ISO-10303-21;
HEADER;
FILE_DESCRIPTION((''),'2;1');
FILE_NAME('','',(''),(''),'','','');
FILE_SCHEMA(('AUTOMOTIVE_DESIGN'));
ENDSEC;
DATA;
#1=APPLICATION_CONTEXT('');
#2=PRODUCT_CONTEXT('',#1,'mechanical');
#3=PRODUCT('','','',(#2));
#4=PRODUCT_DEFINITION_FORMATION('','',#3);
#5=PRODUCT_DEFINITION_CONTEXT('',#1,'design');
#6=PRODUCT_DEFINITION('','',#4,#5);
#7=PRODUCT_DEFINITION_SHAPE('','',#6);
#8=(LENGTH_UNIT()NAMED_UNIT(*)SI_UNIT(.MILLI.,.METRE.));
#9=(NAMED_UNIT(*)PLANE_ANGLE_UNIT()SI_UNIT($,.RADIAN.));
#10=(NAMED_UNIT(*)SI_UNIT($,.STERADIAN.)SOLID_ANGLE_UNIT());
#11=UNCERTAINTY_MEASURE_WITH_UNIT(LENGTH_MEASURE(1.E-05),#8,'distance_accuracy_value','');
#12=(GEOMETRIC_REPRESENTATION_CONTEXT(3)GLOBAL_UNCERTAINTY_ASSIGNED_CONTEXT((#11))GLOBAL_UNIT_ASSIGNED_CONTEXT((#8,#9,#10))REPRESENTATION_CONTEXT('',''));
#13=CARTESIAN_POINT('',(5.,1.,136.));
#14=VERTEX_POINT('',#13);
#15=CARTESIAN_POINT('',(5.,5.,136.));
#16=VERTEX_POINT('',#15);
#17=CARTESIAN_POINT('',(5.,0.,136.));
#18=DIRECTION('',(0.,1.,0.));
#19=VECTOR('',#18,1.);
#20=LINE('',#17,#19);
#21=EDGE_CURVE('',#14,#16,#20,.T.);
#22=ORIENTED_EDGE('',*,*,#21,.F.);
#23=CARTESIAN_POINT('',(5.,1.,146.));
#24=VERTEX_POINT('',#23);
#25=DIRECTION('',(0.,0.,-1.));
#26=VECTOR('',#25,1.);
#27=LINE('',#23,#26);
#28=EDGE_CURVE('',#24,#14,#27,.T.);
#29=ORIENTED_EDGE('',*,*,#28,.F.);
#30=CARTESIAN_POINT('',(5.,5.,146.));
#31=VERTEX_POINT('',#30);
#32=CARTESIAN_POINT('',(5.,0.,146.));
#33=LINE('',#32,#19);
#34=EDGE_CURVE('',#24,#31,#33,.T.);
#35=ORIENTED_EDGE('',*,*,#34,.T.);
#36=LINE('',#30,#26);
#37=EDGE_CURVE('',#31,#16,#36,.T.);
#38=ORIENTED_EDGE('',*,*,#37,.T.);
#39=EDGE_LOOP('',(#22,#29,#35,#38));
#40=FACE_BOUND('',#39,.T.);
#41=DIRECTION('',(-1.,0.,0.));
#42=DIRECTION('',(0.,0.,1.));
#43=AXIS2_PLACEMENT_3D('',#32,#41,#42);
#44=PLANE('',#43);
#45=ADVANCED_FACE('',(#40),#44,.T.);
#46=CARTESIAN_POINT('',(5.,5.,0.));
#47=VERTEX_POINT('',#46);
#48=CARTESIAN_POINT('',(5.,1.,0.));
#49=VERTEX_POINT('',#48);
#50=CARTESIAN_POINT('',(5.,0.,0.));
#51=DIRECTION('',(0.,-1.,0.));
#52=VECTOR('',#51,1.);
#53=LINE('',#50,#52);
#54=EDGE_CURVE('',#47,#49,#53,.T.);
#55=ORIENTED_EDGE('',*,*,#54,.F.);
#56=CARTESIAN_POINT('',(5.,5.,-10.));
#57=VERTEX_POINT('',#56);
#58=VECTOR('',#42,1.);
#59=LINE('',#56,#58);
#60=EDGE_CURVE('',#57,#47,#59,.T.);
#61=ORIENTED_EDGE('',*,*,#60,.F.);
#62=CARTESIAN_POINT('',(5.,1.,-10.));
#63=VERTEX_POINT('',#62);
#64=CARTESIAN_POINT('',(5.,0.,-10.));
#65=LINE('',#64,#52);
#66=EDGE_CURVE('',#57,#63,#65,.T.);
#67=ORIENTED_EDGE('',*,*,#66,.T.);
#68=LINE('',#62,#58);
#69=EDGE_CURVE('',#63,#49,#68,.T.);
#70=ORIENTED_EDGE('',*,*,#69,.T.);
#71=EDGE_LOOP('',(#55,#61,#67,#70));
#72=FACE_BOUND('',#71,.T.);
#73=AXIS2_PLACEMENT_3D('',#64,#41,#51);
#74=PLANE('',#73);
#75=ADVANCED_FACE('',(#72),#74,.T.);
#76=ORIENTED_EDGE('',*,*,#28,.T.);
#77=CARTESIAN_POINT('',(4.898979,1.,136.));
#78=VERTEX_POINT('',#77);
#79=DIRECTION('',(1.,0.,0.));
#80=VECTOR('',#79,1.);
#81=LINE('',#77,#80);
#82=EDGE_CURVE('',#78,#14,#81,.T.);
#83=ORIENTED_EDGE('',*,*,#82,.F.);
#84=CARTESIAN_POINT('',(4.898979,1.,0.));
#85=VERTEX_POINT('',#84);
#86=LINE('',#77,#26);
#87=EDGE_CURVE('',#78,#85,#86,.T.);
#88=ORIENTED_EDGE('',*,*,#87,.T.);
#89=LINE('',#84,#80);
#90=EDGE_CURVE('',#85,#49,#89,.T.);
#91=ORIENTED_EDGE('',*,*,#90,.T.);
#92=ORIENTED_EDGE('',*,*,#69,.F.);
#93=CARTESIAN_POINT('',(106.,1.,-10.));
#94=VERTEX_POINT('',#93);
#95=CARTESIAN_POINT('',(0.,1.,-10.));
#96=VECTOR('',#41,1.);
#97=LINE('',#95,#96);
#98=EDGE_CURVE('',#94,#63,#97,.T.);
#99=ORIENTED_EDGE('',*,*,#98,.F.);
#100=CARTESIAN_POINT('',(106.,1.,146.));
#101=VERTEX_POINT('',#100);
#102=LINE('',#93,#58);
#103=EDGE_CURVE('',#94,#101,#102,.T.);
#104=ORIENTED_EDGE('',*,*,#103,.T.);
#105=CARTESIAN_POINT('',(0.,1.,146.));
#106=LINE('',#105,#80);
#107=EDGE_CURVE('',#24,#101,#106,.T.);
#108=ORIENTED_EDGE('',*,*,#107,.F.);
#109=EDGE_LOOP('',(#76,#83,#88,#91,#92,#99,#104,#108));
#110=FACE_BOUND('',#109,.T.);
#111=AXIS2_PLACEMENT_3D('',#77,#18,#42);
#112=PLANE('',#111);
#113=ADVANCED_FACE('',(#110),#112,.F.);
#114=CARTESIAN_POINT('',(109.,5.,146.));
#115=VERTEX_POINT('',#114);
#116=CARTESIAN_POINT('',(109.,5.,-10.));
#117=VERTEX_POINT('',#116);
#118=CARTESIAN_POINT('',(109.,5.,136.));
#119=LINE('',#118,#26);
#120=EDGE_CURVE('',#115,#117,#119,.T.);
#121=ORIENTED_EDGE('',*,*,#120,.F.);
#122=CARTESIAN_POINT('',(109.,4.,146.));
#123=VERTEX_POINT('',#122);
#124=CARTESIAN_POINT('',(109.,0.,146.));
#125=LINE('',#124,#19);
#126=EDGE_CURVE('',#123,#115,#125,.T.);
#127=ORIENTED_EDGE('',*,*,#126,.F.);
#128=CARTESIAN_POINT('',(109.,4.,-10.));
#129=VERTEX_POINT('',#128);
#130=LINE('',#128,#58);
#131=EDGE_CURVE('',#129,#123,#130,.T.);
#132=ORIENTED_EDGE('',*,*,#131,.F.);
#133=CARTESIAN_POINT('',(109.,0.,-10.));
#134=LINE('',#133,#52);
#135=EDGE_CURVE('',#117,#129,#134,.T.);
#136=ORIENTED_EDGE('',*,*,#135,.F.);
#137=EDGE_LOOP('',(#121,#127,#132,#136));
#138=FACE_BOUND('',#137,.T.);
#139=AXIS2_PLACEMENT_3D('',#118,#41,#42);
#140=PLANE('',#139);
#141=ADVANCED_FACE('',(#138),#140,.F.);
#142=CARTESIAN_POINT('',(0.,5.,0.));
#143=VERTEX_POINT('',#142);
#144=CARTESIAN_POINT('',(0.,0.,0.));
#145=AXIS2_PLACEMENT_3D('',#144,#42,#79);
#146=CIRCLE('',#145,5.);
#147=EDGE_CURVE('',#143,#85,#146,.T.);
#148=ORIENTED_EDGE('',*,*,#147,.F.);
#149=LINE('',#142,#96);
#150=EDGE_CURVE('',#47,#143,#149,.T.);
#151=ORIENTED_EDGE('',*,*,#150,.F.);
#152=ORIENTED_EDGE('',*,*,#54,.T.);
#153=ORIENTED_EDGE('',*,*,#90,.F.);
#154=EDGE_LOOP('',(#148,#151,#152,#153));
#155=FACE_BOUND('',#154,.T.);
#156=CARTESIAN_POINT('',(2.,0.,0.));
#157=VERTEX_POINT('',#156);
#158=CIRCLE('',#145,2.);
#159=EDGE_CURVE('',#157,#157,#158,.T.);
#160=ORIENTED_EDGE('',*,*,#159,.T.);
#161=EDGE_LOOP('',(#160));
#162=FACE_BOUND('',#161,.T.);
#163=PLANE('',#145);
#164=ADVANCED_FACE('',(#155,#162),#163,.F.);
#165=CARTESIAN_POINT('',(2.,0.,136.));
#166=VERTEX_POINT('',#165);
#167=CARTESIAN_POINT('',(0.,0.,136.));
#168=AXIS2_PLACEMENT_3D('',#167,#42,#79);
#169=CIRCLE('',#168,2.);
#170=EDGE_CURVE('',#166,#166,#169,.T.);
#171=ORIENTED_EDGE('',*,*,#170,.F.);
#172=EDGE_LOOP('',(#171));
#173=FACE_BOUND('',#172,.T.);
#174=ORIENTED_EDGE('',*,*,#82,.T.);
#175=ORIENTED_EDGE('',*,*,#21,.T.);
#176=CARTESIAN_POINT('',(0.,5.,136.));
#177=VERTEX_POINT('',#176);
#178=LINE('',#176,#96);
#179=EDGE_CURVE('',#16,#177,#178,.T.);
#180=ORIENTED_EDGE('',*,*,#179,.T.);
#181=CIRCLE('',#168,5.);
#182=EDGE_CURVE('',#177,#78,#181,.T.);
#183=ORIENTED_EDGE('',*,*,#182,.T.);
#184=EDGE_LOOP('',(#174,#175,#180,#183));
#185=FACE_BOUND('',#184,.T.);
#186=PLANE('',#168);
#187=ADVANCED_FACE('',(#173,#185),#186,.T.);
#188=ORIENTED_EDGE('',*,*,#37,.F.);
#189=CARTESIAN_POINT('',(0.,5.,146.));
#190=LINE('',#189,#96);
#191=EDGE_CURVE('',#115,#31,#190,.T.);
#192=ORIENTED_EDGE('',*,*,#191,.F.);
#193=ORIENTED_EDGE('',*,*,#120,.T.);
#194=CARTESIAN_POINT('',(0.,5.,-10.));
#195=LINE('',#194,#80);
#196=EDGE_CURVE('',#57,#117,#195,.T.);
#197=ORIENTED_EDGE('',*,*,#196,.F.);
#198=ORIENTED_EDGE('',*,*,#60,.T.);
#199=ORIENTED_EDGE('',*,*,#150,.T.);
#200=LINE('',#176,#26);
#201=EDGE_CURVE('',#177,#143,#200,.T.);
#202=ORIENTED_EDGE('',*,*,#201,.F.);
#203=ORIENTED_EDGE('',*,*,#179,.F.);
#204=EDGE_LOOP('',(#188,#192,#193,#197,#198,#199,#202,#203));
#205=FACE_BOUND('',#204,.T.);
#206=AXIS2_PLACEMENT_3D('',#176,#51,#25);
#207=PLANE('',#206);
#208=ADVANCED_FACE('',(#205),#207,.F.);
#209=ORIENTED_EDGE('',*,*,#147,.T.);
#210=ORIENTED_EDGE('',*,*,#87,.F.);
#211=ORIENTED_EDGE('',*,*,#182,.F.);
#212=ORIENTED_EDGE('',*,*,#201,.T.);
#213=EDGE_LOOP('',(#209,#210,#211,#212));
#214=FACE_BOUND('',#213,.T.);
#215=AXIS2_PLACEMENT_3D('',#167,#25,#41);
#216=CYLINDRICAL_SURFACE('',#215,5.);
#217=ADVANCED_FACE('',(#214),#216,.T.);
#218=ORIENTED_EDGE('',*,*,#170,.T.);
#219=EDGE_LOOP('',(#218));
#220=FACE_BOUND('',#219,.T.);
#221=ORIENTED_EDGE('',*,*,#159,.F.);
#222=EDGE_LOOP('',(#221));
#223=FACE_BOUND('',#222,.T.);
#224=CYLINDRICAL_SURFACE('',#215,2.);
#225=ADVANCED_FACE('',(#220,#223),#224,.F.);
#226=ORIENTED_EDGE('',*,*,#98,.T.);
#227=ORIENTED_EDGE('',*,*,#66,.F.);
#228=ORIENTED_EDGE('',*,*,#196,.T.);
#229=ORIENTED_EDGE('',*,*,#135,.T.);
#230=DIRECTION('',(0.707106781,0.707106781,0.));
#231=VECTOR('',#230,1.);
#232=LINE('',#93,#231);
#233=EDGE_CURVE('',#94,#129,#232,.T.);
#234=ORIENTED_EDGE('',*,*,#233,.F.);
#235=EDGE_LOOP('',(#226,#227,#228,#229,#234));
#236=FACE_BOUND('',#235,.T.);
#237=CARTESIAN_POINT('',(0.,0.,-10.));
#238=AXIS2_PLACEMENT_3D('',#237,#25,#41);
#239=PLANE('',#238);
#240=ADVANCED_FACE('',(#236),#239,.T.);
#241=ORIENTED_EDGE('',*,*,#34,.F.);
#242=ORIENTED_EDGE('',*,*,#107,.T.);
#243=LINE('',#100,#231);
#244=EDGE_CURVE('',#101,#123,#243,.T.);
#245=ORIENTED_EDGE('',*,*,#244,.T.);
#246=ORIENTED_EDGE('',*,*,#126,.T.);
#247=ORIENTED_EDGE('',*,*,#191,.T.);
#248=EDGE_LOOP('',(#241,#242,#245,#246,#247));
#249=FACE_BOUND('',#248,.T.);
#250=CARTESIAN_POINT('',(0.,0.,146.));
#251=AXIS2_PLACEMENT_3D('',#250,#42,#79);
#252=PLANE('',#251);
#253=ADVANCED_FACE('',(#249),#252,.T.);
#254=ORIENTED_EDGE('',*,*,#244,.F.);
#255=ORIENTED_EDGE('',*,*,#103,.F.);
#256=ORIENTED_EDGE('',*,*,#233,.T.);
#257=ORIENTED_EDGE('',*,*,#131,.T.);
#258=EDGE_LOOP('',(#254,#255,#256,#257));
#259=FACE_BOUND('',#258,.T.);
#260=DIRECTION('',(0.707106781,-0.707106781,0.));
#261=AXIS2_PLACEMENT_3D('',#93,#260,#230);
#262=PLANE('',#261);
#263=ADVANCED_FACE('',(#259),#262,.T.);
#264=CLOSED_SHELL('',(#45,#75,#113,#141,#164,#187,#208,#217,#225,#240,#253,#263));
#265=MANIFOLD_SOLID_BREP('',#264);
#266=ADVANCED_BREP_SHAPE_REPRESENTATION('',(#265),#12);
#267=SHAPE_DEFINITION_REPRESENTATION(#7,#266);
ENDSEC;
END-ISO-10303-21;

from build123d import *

# Parameters (mm, degrees)
SKETCH1_R           = 2
BOSS_EXTRUDE1_DEPTH = 136
SKETCH2_W           = 104
SKETCH2_H           = 4
BOSS_EXTRUDE2_DEPTH = 10
SKETCH3_W           = 104
SKETCH3_H           = 4
BOSS_EXTRUDE3_DEPTH = 10
CUT_EXTRUDE2_DEPTH  = 191.373317458


with BuildPart() as part:
    # Sketch1 → Boss-Extrude1 (new body)
    with BuildSketch(Plane.XY):
        with BuildLine():
            Line((0, 5), (109, 5))
            Line((109, 5), (109, 1))
            Line((109, 1), (4.898979486, 1))
            ThreePointArc((4.898979486, 1), (-3.16227766, -3.872983346), (0, 5))
        make_face()
        Circle(SKETCH1_R, mode=Mode.SUBTRACT)
    extrude(amount=BOSS_EXTRUDE1_DEPTH)

    # Sketch2 → Boss-Extrude2 (add)
    with BuildSketch(Plane.XY.offset(136)):
        with Locations((57, 3)):
            Rectangle(SKETCH2_W, SKETCH2_H)
    extrude(amount=BOSS_EXTRUDE2_DEPTH)

    # Sketch3 → Boss-Extrude3 (add)
    with BuildSketch(Plane(origin=(0, 0, 0), x_dir=(-1, 0, 0), z_dir=(0, 0, -1))):
        with Locations((-57, 3)):
            Rectangle(SKETCH3_W, SKETCH3_H)
    extrude(amount=BOSS_EXTRUDE3_DEPTH)

    # Sketch5 → Cut-Extrude2 (cut, through all)
    with BuildSketch(Plane.XY.offset(146)):
        Polygon((106, 1), (109, 4), (109, 1), align=None)
    extrude(amount=-CUT_EXTRUDE2_DEPTH, mode=Mode.SUBTRACT)


solid = part.part
